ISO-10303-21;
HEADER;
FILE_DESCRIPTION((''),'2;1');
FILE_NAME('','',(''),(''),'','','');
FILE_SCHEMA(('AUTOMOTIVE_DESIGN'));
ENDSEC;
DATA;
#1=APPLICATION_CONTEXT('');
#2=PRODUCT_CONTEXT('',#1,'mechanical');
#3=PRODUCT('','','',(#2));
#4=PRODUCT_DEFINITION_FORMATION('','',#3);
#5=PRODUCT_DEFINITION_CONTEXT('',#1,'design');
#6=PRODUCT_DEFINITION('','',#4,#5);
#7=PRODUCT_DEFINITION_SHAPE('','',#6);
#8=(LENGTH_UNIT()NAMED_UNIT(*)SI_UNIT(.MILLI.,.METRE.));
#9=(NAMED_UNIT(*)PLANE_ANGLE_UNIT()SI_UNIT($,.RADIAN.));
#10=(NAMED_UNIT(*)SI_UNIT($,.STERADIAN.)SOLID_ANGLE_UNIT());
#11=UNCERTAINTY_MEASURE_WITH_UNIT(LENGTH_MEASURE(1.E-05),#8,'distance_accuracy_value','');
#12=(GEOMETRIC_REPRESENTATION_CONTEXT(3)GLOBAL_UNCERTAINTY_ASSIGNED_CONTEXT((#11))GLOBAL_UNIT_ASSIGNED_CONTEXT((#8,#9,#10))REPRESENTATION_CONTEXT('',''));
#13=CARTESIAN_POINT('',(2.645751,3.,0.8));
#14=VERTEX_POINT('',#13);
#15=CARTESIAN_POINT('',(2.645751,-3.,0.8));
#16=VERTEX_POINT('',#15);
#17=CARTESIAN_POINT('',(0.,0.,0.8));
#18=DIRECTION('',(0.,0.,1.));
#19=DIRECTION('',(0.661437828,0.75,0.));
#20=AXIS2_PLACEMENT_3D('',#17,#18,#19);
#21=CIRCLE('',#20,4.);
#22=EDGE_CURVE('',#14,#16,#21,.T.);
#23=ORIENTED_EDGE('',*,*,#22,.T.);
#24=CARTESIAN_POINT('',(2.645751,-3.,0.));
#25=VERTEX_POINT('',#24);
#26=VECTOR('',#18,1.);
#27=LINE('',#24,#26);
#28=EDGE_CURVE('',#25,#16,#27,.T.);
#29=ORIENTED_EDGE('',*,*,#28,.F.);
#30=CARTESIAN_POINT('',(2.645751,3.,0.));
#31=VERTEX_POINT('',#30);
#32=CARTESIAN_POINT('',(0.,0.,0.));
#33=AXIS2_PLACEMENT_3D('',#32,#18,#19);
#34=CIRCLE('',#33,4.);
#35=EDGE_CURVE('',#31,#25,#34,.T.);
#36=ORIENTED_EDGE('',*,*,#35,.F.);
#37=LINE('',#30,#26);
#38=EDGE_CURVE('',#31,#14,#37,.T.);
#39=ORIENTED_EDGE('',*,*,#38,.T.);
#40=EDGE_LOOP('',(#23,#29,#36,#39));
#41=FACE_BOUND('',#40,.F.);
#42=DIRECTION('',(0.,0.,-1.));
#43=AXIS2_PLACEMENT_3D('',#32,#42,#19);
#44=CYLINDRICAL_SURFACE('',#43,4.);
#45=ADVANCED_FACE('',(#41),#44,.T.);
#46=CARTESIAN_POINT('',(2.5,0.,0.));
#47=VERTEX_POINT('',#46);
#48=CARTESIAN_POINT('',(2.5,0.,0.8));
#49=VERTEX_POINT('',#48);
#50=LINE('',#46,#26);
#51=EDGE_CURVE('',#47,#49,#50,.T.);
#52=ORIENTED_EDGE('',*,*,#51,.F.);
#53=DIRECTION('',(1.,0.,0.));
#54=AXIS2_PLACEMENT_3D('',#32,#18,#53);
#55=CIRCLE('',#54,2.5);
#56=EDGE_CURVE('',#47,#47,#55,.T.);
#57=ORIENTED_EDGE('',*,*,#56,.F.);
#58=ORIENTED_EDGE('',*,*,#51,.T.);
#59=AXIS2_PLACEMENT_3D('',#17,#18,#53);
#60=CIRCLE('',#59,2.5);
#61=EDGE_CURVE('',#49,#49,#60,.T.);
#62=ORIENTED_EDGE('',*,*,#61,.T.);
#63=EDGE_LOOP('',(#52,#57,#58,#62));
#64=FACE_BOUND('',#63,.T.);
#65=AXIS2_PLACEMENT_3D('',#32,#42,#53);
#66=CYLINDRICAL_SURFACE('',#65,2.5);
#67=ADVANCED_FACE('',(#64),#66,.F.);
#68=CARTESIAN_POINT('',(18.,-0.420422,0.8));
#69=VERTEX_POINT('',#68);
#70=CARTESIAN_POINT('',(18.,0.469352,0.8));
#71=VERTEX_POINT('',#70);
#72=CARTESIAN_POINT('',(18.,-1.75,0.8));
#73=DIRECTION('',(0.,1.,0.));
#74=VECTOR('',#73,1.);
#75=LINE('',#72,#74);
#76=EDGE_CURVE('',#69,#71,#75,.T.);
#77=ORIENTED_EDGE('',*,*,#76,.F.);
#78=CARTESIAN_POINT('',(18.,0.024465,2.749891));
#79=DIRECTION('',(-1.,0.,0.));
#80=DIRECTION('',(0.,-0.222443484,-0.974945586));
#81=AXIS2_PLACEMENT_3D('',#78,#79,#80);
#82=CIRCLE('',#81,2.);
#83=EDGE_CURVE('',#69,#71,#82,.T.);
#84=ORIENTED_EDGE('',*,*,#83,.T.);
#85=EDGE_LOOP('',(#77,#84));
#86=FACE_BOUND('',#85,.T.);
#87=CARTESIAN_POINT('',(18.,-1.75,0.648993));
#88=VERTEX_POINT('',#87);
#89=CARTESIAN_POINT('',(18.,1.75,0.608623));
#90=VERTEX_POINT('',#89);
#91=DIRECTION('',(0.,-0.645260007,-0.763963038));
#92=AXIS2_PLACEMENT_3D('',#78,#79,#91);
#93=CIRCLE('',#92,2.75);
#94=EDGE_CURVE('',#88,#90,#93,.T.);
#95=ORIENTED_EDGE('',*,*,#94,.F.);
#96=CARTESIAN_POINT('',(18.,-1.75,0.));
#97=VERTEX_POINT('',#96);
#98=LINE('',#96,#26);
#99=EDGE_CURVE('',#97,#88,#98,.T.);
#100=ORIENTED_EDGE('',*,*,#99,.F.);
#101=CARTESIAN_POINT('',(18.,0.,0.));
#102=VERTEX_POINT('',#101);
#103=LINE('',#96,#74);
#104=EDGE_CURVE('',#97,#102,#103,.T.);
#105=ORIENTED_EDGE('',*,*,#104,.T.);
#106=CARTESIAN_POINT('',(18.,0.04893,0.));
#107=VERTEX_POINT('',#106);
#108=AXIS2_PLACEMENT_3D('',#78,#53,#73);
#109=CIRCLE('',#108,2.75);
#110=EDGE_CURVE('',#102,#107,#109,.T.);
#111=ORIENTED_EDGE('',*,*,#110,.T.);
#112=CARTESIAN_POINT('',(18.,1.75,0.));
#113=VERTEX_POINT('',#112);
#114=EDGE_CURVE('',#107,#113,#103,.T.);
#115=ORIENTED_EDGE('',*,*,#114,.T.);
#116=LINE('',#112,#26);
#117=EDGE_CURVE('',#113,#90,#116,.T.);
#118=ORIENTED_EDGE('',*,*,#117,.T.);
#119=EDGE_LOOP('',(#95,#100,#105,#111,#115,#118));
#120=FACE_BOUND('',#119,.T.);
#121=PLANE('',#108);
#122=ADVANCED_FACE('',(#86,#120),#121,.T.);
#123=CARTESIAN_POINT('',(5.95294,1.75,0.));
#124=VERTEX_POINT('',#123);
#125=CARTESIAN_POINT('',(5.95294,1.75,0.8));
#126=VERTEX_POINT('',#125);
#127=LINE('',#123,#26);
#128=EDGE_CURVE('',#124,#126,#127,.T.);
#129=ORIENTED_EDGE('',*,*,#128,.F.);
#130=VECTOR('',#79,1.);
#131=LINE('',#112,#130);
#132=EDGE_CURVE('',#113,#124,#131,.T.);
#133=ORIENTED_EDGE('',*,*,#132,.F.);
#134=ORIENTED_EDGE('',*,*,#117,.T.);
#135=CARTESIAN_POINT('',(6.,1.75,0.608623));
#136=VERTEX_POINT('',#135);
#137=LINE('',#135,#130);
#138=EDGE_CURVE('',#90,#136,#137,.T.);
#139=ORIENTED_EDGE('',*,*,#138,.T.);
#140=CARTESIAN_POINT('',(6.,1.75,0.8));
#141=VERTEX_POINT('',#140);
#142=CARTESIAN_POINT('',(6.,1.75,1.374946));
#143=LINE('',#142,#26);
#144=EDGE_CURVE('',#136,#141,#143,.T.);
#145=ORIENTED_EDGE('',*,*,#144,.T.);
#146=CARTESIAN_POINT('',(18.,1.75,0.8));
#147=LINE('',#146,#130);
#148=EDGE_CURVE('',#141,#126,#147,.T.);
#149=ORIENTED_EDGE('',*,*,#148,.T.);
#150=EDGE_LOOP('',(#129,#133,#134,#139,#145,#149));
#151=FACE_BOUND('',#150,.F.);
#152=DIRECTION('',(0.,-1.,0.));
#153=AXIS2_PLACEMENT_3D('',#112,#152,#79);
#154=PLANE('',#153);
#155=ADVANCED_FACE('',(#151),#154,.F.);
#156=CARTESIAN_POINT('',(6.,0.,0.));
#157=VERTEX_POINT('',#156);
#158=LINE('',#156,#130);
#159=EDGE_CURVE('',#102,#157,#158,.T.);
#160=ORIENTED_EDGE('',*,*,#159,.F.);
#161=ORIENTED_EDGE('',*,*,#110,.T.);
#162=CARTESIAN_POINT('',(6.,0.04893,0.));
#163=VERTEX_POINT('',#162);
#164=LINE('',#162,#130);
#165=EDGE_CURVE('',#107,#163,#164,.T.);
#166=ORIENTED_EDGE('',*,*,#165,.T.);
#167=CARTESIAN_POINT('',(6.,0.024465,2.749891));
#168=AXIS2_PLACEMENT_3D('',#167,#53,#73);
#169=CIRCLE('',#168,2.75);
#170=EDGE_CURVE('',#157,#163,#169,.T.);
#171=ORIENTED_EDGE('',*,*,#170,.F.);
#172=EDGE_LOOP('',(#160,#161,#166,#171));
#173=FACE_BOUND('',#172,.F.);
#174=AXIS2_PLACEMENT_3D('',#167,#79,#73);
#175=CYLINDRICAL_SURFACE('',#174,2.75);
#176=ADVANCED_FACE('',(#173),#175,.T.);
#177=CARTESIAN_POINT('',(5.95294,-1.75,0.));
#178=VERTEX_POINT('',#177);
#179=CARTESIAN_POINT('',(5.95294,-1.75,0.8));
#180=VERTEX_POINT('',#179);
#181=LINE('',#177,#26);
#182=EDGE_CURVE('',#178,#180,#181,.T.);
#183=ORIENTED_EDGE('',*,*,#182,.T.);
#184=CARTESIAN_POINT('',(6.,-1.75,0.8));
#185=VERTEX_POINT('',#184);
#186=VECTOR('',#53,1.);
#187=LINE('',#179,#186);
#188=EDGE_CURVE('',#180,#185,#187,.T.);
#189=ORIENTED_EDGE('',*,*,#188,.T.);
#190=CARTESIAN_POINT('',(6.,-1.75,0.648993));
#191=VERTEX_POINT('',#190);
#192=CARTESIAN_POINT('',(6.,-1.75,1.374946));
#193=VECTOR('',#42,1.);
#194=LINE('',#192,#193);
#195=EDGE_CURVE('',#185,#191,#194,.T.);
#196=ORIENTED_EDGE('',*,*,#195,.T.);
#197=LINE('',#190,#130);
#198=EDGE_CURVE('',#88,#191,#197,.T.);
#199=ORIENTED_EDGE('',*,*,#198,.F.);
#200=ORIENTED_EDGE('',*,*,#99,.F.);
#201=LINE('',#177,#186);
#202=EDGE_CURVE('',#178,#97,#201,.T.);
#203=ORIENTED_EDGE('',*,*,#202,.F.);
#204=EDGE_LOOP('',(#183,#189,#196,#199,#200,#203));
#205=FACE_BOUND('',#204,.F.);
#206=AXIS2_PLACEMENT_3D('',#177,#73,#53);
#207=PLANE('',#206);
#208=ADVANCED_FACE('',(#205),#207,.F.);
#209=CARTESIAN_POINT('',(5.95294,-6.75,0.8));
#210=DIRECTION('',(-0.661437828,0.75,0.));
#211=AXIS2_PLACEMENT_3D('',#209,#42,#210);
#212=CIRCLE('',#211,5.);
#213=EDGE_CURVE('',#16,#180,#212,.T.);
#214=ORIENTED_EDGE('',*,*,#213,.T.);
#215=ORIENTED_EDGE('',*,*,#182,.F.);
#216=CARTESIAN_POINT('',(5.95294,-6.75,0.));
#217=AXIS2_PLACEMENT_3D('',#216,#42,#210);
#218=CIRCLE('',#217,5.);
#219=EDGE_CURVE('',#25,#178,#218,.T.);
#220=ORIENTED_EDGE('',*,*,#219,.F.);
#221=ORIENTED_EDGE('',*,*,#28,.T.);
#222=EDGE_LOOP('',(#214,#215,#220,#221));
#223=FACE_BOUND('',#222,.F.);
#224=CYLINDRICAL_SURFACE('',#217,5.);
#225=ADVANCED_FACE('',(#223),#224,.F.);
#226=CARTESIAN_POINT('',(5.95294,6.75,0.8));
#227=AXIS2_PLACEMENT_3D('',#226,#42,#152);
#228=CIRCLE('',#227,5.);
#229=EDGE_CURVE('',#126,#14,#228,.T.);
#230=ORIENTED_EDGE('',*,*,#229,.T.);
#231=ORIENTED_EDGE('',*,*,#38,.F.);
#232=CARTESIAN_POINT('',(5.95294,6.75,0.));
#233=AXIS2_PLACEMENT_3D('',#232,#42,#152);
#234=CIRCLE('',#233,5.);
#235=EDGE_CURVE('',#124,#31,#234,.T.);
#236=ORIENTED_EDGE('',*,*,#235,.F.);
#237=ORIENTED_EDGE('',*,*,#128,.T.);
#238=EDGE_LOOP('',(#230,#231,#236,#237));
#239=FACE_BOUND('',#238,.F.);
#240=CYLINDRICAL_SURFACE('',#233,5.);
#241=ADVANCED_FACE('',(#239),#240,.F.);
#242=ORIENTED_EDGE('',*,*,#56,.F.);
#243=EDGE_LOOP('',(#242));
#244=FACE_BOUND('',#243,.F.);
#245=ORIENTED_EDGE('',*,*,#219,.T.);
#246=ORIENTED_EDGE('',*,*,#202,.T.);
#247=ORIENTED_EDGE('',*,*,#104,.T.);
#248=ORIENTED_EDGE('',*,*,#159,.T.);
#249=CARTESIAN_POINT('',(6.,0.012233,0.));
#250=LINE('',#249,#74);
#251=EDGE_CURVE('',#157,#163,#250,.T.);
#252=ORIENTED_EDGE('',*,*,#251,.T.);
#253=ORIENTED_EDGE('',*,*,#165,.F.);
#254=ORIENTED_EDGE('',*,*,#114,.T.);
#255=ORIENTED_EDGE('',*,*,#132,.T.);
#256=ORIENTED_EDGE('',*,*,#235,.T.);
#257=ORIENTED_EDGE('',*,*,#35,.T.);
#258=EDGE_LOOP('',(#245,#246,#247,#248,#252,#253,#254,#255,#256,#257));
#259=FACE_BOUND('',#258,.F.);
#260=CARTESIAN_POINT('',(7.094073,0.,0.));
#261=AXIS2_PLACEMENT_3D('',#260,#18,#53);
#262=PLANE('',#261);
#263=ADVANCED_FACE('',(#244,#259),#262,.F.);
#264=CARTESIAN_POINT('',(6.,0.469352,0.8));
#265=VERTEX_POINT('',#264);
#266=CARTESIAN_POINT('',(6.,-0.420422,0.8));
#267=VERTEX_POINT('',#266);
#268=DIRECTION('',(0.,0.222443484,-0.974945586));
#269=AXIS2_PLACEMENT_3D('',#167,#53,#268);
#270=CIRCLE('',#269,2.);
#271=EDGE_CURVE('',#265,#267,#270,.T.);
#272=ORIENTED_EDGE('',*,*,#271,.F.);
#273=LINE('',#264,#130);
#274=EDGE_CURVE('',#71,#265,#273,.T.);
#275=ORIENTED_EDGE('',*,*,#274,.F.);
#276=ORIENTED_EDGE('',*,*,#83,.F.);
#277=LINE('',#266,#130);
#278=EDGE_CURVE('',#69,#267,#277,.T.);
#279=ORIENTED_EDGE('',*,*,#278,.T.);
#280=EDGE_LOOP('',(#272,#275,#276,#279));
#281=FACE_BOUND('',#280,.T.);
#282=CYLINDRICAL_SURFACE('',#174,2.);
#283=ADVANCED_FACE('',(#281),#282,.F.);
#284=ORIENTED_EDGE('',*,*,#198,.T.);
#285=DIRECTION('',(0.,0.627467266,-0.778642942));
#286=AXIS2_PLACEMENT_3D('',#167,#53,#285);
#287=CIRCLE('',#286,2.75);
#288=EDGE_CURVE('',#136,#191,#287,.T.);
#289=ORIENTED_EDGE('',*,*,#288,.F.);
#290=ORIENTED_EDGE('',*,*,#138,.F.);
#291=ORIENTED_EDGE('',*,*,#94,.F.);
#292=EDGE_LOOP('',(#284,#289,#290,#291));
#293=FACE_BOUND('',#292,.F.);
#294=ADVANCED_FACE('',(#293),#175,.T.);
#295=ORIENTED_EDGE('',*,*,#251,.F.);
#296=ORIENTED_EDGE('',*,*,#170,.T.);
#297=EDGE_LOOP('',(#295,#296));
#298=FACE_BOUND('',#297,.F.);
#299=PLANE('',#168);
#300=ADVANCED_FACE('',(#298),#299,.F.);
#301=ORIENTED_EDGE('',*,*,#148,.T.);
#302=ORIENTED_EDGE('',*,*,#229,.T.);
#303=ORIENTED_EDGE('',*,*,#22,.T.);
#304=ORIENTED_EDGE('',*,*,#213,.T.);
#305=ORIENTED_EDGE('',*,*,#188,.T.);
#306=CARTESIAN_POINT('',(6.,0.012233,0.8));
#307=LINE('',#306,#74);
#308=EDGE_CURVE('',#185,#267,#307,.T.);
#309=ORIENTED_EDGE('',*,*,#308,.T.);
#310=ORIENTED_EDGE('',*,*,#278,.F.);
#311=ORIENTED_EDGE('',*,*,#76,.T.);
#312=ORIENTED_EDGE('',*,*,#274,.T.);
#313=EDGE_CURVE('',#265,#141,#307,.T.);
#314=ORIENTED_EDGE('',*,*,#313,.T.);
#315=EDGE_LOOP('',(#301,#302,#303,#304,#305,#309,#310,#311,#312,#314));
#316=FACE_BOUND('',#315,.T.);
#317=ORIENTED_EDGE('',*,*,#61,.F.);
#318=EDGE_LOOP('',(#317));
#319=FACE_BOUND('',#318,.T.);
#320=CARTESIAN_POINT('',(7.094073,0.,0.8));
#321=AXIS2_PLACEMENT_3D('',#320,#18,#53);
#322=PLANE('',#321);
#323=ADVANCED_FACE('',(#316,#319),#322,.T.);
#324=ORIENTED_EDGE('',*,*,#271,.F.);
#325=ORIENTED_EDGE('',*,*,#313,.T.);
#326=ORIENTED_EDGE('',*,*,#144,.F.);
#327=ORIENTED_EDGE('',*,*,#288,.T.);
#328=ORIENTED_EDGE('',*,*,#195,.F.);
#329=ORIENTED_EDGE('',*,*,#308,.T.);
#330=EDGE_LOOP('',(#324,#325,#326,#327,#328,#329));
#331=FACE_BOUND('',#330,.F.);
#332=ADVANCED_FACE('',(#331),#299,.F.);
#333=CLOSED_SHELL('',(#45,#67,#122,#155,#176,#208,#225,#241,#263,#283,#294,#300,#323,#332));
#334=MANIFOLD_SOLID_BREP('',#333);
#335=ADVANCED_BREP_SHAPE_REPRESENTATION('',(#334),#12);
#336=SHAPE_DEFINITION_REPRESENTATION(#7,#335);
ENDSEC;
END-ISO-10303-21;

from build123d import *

# Parameters (mm, degrees)
F0_R     = 2.5
F1_DEPTH = 0.8
F3_START = 6
F2_R     = 2.75
F2_R_2   = 2
F3_DEPTH = 12


with BuildPart() as f1:
    # F0 (on Top) → F1 (new body)
    with BuildSketch(Plane.XY):
        with BuildLine():
            ThreePointArc((5.9529404499, 1.75), (4.1851734969, 2.0729282665), (2.6457513111, 3))
            ThreePointArc((2.6457513111, 3), (-4, 0), (2.6457513111, -3))
            ThreePointArc((2.6457513111, -3), (4.1851734969, -2.0729282665), (5.9529404499, -1.75))
            Line((5.9529404499, -1.75), (18, -1.75))
            Line((18, -1.75), (18, 1.75))
            Line((18, 1.75), (5.9529404499, 1.75))
        make_face()
        Circle(F0_R, mode=Mode.SUBTRACT)
    extrude(amount=F1_DEPTH)

    # F2 (on Right) → F3 (join)
    with BuildSketch(Plane.YZ.offset(F3_START)):
        with Locations((0.0244650191, 2.7498911729)):
            Circle(F2_R)
        with Locations((0.0244650191, 2.7498911729)):
            Circle(F2_R_2, mode=Mode.SUBTRACT)
    extrude(amount=F3_DEPTH)


solid = f1.part
